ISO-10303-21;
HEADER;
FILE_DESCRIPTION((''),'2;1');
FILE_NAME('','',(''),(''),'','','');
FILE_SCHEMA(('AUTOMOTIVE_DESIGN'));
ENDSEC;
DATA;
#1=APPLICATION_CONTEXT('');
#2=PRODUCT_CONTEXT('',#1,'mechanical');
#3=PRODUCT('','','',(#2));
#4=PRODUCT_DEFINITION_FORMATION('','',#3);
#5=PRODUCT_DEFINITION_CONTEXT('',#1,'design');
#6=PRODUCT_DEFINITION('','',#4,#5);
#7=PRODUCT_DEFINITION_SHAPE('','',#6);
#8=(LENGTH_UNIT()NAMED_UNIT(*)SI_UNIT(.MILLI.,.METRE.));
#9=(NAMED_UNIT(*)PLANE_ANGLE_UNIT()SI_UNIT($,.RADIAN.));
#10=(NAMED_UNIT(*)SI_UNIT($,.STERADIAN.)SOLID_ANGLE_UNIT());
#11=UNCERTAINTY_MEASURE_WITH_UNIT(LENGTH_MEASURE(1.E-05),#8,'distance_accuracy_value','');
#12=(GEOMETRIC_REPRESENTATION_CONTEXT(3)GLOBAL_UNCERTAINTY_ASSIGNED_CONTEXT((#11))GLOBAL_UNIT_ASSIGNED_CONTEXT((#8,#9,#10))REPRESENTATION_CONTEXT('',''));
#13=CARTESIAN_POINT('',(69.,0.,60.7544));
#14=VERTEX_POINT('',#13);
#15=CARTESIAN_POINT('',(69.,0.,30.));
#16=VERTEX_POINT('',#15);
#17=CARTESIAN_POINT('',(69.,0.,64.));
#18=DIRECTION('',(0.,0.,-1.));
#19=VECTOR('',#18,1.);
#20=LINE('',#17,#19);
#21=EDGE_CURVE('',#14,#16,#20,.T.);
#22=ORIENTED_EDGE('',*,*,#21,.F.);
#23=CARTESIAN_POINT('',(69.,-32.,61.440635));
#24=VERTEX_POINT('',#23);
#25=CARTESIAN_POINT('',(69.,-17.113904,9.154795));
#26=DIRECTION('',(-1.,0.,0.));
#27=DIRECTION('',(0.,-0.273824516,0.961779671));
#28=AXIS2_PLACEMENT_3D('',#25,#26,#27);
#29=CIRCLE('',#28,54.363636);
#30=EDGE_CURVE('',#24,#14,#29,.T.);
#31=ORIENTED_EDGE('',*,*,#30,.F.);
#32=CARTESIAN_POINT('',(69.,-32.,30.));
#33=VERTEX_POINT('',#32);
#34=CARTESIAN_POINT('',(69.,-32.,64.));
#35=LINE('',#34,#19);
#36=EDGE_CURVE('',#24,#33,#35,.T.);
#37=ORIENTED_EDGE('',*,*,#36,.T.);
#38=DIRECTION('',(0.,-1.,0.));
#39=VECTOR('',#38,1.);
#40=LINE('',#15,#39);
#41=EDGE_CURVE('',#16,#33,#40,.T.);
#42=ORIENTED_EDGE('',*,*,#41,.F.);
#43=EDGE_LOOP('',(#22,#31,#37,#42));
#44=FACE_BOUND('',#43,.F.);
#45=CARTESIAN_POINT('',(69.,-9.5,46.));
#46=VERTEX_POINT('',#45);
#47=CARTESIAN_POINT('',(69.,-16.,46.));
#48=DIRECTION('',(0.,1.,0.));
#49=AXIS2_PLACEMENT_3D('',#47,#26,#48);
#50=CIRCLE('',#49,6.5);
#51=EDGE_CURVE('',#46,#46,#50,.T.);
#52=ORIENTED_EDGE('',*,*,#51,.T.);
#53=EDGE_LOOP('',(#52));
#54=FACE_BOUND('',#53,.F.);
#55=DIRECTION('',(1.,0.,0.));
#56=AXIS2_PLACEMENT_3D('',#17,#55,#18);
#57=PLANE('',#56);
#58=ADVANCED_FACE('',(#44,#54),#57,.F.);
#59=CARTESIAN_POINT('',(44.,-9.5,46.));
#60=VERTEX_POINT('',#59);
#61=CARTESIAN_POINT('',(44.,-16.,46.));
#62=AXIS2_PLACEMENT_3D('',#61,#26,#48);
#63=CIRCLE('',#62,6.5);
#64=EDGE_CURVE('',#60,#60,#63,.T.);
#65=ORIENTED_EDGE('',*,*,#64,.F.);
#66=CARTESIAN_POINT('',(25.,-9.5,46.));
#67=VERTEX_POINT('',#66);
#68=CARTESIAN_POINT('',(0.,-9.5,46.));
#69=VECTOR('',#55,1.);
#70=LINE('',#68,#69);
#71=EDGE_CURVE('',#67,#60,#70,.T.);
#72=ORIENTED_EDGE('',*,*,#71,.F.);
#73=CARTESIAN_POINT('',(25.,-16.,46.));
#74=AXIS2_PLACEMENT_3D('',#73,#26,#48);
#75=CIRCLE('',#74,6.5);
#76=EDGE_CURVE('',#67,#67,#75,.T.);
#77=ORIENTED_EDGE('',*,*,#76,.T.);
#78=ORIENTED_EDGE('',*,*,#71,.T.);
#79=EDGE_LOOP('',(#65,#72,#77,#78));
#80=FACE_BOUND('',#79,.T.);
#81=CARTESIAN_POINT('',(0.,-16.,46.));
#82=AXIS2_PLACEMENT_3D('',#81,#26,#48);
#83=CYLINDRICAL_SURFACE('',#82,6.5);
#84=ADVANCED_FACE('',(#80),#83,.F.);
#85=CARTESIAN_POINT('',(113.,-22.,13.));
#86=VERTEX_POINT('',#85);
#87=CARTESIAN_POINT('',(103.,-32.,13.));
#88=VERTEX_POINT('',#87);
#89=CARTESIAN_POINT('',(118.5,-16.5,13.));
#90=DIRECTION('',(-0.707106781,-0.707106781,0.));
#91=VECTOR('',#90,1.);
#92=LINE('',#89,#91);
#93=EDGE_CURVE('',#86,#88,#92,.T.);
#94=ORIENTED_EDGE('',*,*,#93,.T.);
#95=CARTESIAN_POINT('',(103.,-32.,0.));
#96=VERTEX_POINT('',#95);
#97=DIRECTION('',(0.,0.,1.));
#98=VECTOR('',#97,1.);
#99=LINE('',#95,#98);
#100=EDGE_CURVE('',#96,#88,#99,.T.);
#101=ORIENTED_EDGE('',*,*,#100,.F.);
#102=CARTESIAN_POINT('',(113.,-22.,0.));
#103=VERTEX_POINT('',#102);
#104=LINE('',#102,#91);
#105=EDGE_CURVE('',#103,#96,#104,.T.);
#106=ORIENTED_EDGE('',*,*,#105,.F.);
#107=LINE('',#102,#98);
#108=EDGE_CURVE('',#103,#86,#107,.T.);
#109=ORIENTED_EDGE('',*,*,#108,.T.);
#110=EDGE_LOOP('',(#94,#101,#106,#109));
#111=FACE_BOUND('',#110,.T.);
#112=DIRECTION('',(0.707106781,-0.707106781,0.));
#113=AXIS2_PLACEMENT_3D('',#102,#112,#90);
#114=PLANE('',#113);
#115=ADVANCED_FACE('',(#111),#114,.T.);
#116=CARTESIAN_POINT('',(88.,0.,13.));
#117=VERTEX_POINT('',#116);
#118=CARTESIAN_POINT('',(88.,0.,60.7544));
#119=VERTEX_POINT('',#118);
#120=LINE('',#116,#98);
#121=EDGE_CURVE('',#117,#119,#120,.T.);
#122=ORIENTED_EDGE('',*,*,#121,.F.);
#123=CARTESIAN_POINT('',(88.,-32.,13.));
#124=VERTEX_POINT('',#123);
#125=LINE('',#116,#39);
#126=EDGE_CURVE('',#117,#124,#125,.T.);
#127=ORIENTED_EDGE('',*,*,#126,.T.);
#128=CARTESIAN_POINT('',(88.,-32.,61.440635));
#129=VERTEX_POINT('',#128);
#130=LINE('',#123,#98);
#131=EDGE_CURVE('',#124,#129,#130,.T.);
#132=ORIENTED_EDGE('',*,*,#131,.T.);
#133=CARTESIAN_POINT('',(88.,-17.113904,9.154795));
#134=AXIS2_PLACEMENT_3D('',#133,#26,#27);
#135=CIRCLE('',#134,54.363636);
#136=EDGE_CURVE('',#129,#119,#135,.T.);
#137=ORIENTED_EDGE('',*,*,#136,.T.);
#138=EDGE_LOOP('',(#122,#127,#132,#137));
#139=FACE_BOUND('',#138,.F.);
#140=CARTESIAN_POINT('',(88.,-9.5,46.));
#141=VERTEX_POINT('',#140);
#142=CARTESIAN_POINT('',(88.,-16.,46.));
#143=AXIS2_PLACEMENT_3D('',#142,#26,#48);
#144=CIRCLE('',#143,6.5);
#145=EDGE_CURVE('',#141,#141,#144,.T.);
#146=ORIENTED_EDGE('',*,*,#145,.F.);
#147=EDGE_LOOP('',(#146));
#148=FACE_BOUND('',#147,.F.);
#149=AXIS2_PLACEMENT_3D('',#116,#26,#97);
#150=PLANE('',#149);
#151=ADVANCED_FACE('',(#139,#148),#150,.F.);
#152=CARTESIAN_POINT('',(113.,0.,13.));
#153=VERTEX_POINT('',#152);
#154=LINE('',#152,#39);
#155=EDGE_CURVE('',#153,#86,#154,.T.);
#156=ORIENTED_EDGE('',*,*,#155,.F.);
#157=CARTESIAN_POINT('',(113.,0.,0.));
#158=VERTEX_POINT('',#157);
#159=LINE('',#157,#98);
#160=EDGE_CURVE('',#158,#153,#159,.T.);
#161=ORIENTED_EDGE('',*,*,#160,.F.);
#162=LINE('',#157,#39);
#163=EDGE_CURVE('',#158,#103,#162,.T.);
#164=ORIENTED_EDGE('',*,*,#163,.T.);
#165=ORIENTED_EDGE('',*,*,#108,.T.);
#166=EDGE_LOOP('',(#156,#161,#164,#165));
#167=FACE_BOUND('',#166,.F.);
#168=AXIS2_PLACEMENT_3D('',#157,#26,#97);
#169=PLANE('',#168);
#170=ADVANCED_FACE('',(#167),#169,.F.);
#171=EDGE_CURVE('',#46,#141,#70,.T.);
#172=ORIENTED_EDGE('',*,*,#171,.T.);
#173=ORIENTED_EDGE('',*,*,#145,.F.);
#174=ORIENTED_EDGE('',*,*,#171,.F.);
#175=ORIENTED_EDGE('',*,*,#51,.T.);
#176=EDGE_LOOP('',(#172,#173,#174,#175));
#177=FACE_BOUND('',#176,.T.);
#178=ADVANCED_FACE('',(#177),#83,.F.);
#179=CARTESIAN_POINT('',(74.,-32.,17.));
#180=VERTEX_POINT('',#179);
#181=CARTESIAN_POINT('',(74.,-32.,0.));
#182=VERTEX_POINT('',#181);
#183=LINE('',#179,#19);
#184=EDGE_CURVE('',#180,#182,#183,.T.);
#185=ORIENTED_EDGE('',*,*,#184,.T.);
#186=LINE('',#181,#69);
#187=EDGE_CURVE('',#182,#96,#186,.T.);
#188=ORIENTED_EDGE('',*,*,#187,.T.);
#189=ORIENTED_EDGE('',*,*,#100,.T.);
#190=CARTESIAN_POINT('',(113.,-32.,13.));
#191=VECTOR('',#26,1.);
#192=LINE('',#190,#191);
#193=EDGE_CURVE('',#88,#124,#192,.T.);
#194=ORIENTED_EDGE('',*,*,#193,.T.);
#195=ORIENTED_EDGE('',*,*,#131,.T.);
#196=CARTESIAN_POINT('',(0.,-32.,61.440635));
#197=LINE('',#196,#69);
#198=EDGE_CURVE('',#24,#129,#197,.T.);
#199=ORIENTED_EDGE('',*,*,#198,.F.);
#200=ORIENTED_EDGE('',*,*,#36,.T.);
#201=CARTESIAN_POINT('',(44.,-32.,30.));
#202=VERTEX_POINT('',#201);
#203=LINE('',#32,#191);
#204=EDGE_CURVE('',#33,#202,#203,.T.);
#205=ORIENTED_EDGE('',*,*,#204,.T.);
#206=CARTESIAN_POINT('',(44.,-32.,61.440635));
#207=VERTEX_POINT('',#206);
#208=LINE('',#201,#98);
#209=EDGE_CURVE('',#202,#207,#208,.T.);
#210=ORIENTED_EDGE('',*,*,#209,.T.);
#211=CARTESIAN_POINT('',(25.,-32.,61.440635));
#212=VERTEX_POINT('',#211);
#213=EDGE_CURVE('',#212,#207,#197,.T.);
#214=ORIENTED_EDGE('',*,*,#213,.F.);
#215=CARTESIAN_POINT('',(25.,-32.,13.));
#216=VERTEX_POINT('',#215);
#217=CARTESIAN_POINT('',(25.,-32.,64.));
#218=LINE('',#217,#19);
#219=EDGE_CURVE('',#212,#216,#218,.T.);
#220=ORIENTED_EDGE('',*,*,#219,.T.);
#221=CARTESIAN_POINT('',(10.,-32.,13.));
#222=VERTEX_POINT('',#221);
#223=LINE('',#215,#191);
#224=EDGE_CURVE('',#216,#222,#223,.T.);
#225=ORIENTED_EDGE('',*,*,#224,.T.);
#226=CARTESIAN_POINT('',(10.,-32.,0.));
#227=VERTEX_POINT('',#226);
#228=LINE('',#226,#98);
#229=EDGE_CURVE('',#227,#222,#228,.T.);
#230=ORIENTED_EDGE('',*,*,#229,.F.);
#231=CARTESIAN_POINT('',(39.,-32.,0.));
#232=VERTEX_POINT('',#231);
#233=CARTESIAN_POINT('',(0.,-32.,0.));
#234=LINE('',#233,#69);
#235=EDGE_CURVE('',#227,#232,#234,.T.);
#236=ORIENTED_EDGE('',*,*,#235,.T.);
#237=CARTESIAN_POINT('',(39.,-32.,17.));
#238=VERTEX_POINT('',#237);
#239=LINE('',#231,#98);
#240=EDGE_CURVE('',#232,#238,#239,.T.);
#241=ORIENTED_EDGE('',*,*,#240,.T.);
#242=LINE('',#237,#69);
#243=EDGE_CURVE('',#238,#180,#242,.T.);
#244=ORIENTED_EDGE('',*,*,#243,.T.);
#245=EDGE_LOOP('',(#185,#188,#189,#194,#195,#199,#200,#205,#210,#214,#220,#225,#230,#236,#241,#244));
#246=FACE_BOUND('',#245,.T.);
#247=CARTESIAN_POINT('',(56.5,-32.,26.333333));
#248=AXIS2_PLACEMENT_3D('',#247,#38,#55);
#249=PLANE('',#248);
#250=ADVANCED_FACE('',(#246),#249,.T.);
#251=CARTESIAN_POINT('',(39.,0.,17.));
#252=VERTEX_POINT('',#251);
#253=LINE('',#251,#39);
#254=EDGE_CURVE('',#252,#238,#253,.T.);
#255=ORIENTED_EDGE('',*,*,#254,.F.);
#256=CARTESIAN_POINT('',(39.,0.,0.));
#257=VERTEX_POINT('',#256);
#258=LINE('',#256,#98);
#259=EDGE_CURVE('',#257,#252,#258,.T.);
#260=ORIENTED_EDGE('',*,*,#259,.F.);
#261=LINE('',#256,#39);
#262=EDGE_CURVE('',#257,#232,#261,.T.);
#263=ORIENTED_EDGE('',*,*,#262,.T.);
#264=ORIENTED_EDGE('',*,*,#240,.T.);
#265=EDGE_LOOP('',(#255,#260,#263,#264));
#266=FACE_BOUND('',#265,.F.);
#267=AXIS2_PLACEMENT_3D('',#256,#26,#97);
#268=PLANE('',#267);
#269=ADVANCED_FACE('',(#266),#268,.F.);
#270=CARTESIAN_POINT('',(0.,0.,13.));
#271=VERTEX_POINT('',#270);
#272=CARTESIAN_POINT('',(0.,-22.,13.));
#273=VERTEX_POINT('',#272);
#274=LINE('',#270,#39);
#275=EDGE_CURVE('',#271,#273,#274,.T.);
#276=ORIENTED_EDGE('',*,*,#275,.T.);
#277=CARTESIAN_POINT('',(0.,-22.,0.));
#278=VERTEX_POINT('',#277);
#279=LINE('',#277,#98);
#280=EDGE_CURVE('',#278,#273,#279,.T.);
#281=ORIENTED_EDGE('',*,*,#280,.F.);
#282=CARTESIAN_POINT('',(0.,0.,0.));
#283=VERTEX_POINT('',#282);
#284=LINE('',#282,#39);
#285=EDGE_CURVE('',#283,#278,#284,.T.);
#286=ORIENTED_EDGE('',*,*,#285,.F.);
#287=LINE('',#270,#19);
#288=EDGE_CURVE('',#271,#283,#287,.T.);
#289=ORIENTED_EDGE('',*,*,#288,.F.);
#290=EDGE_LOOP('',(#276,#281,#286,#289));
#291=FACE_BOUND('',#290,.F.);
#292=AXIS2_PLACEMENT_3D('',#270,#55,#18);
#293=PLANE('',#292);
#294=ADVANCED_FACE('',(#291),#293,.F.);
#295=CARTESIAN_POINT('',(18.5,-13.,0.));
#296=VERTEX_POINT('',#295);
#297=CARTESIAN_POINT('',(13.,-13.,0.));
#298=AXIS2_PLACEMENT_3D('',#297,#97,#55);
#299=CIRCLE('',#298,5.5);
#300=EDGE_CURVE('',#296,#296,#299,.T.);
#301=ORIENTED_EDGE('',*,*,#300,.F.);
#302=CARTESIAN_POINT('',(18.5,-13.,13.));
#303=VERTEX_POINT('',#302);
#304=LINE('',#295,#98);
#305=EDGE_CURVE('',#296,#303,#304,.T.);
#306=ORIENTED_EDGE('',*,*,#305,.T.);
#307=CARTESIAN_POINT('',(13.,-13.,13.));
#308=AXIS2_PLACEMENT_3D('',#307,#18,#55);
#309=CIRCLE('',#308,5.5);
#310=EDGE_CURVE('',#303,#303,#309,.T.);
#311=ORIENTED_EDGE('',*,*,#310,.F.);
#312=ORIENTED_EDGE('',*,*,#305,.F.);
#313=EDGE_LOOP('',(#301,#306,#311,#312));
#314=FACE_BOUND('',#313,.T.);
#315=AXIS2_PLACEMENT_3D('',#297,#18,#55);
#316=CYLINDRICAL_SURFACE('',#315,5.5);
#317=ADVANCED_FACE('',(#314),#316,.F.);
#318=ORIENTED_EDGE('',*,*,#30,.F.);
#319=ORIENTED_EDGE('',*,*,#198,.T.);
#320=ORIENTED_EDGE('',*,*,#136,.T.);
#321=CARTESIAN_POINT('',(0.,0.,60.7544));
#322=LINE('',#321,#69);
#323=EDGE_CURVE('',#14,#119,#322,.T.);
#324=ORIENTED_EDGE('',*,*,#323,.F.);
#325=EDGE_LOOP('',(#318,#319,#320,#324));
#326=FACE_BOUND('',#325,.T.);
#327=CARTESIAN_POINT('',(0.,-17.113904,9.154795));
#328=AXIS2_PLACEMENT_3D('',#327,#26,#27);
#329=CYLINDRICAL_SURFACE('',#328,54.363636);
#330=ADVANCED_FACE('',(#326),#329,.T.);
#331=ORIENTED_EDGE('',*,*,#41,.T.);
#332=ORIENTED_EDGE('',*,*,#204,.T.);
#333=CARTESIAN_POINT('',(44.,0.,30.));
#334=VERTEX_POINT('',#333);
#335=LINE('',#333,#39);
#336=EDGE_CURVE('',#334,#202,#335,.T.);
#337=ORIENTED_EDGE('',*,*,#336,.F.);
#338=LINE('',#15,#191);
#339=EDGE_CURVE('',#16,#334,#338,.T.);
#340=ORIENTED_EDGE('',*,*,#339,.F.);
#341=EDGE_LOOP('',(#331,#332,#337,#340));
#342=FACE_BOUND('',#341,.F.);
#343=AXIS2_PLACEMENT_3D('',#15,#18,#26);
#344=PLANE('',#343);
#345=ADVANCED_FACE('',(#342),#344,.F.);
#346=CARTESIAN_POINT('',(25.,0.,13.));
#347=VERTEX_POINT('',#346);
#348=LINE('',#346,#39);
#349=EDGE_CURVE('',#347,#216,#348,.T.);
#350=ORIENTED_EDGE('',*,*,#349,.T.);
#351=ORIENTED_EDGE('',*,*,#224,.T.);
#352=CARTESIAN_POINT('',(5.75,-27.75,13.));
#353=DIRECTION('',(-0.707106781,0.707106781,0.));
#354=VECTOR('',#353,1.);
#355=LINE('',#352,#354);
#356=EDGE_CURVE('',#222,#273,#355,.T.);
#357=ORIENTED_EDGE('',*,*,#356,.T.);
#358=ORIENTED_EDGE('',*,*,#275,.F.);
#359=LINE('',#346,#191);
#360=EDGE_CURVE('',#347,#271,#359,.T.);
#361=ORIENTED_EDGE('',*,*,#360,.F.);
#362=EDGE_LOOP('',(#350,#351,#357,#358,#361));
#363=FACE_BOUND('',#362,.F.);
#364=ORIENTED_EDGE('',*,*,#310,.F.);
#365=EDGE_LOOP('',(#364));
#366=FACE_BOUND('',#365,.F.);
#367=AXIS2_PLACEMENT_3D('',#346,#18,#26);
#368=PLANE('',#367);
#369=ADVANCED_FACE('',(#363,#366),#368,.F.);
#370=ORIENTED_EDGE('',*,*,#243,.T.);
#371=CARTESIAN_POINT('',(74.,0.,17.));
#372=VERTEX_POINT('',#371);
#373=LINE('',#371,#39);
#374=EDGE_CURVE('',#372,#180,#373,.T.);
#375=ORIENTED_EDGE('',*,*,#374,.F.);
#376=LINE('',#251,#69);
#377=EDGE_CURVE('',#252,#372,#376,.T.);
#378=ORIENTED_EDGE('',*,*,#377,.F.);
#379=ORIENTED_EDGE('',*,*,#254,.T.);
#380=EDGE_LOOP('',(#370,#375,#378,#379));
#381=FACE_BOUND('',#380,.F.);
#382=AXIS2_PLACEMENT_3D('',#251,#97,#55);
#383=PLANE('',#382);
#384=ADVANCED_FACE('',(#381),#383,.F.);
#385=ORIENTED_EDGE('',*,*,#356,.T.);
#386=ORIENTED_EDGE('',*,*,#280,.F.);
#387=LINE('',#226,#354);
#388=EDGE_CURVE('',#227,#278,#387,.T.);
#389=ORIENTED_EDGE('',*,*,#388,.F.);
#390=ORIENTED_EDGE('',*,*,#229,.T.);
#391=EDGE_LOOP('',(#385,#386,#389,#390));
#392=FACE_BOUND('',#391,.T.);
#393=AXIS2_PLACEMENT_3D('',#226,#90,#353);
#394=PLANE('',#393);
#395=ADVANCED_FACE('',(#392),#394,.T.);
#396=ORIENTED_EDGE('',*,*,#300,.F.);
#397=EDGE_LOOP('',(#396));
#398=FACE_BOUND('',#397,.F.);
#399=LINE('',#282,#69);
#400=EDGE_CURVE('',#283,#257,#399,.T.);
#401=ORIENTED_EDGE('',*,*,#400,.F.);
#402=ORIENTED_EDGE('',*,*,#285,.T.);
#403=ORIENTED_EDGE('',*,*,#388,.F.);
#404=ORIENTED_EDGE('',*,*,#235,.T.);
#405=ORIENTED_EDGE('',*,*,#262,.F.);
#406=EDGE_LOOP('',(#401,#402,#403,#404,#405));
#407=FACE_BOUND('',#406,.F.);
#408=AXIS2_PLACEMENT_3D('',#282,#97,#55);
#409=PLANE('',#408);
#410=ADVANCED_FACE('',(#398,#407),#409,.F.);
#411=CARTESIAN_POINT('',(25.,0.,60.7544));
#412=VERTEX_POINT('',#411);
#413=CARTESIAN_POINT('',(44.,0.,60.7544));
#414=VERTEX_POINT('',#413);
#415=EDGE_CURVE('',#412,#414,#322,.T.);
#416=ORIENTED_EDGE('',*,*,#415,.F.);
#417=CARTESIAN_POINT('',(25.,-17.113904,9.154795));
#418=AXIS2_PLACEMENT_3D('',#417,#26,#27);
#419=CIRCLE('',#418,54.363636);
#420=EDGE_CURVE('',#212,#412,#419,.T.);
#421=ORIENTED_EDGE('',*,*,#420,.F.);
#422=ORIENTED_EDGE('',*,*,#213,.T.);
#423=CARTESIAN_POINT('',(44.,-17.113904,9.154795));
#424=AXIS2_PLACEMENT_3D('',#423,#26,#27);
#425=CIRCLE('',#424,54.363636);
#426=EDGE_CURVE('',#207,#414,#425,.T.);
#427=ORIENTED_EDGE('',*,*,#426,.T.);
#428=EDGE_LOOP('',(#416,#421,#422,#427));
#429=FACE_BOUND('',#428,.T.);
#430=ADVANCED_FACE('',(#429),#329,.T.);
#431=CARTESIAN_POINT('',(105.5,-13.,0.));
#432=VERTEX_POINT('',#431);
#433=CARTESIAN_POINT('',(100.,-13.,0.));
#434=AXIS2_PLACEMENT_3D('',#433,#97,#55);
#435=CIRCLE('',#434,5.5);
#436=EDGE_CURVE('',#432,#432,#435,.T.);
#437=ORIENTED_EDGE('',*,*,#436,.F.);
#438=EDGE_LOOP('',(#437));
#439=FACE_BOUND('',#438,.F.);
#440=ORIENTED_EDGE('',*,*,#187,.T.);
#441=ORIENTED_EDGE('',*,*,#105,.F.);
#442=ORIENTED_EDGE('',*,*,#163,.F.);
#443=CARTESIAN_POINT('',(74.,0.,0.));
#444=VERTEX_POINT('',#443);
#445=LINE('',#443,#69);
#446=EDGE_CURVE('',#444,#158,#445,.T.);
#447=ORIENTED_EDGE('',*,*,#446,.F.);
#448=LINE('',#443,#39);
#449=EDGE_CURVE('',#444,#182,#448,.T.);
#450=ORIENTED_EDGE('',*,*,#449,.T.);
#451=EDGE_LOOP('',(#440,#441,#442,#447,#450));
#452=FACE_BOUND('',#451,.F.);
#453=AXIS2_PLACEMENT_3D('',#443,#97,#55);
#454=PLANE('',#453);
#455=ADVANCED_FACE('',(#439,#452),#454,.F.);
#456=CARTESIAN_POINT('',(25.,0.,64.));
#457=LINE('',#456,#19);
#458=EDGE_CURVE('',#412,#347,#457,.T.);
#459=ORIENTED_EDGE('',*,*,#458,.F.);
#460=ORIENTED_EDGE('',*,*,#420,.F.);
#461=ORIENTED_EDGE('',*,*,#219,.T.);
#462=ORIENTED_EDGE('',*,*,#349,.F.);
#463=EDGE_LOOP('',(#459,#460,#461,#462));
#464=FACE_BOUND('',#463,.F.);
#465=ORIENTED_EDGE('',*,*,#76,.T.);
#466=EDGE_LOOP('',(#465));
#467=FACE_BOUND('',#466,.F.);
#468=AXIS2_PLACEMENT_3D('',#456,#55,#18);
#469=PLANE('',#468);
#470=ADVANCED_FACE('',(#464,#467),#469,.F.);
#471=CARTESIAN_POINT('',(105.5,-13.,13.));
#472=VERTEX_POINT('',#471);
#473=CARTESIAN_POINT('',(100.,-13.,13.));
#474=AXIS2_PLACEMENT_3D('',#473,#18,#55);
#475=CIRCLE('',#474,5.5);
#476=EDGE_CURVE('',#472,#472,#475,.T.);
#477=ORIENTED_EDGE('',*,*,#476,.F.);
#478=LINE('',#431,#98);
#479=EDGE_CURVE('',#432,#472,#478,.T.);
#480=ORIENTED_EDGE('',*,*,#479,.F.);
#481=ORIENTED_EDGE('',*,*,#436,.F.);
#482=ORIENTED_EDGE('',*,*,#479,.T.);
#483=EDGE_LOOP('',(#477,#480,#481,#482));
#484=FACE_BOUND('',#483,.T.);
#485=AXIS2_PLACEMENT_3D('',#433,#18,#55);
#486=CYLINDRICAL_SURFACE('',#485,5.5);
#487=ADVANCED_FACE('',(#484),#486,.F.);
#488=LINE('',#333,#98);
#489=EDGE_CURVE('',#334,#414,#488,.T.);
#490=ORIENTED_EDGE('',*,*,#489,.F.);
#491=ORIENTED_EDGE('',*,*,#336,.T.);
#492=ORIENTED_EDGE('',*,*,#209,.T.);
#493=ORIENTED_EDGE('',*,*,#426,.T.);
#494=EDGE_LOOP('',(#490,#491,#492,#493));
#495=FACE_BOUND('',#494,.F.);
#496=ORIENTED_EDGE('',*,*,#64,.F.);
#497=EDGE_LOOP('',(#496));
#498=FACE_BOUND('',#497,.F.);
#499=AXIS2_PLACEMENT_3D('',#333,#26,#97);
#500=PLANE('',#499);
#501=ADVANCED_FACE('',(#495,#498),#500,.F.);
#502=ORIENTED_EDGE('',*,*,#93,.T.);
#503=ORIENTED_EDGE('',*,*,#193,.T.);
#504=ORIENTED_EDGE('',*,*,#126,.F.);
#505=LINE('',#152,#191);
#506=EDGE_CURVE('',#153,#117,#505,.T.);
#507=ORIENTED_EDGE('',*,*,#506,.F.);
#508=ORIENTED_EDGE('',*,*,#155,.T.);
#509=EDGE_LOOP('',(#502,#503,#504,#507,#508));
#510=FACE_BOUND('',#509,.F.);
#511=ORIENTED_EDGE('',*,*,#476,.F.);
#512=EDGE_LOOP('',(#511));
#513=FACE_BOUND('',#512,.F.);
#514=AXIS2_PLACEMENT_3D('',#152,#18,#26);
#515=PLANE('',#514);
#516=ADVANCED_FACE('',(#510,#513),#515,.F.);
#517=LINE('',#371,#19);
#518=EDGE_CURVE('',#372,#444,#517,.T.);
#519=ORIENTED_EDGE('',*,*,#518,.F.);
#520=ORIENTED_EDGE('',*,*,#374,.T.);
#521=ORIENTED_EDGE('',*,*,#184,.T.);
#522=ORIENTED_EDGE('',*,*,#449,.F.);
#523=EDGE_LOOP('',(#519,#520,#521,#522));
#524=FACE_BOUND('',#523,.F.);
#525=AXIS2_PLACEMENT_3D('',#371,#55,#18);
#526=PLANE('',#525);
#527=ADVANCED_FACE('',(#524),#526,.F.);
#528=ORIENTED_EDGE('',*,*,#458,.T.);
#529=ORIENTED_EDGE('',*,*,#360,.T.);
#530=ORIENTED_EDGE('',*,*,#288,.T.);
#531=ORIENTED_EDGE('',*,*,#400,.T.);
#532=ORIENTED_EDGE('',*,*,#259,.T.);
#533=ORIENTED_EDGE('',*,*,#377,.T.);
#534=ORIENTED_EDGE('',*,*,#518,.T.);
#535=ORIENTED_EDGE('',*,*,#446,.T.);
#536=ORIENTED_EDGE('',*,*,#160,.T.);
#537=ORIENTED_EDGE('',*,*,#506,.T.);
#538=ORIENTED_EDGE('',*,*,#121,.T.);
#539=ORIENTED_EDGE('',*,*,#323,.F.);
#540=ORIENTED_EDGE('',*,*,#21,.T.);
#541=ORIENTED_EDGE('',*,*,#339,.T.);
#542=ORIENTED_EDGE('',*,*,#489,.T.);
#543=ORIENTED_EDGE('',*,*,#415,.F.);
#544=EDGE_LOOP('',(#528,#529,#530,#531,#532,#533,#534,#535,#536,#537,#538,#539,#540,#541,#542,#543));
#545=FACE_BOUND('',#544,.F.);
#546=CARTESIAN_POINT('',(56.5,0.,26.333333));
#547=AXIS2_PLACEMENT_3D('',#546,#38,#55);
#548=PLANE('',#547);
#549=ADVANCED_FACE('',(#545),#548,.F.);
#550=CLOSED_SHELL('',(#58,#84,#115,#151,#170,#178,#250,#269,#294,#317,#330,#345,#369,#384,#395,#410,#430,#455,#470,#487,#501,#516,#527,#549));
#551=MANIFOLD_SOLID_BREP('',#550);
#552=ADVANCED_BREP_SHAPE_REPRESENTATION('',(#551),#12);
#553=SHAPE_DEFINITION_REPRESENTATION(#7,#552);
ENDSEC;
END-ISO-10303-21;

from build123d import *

# Parameters (mm, degrees)
F1_DEPTH = 32
F2_R     = 5.5
F3_DEPTH = 25
F4_R     = 6.5
F5_DEPTH = 132.41419


with BuildPart() as f1:
    # F0 (on Front) → F1 (new body)
    with BuildSketch(Plane.XZ):
        Polygon((0, 13), (0, 0), (39, 0), (39, 17), (74, 17), (74, 0), (113, 0), (113, 13), (88, 13), (88, 64), (69, 64), (69, 30), (44, 30), (44, 64), (25, 64), (25, 13), align=None)
    extrude(amount=F1_DEPTH)

    # F2 (on Top) → F3 (cut)
    with BuildSketch(Plane.XY):
        with Locations((13, -13)):
            Circle(F2_R)
        with Locations((100, -13)):
            Circle(F2_R)
        Polygon((10, -32), (0, -22), (0, -32), align=None)
        Polygon((113, -22), (103, -32), (113, -32), align=None)
    extrude(amount=F3_DEPTH, mode=Mode.SUBTRACT)

    # F4 (on Right) → F5 (cut)
    with BuildSketch(Plane.YZ):
        with Locations((-16, 46)):
            Circle(F4_R)
        with BuildLine():
            ThreePointArc((-32, 61.440635), (-15.948352, 63.505935), (0, 60.7544))
            Line((0, 60.7544), (0, 64))
            Line((0, 64), (-32, 64))
            Line((-32, 64), (-32, 61.440635))
        make_face()
    extrude(amount=F5_DEPTH, mode=Mode.SUBTRACT)


solid = f1.part
